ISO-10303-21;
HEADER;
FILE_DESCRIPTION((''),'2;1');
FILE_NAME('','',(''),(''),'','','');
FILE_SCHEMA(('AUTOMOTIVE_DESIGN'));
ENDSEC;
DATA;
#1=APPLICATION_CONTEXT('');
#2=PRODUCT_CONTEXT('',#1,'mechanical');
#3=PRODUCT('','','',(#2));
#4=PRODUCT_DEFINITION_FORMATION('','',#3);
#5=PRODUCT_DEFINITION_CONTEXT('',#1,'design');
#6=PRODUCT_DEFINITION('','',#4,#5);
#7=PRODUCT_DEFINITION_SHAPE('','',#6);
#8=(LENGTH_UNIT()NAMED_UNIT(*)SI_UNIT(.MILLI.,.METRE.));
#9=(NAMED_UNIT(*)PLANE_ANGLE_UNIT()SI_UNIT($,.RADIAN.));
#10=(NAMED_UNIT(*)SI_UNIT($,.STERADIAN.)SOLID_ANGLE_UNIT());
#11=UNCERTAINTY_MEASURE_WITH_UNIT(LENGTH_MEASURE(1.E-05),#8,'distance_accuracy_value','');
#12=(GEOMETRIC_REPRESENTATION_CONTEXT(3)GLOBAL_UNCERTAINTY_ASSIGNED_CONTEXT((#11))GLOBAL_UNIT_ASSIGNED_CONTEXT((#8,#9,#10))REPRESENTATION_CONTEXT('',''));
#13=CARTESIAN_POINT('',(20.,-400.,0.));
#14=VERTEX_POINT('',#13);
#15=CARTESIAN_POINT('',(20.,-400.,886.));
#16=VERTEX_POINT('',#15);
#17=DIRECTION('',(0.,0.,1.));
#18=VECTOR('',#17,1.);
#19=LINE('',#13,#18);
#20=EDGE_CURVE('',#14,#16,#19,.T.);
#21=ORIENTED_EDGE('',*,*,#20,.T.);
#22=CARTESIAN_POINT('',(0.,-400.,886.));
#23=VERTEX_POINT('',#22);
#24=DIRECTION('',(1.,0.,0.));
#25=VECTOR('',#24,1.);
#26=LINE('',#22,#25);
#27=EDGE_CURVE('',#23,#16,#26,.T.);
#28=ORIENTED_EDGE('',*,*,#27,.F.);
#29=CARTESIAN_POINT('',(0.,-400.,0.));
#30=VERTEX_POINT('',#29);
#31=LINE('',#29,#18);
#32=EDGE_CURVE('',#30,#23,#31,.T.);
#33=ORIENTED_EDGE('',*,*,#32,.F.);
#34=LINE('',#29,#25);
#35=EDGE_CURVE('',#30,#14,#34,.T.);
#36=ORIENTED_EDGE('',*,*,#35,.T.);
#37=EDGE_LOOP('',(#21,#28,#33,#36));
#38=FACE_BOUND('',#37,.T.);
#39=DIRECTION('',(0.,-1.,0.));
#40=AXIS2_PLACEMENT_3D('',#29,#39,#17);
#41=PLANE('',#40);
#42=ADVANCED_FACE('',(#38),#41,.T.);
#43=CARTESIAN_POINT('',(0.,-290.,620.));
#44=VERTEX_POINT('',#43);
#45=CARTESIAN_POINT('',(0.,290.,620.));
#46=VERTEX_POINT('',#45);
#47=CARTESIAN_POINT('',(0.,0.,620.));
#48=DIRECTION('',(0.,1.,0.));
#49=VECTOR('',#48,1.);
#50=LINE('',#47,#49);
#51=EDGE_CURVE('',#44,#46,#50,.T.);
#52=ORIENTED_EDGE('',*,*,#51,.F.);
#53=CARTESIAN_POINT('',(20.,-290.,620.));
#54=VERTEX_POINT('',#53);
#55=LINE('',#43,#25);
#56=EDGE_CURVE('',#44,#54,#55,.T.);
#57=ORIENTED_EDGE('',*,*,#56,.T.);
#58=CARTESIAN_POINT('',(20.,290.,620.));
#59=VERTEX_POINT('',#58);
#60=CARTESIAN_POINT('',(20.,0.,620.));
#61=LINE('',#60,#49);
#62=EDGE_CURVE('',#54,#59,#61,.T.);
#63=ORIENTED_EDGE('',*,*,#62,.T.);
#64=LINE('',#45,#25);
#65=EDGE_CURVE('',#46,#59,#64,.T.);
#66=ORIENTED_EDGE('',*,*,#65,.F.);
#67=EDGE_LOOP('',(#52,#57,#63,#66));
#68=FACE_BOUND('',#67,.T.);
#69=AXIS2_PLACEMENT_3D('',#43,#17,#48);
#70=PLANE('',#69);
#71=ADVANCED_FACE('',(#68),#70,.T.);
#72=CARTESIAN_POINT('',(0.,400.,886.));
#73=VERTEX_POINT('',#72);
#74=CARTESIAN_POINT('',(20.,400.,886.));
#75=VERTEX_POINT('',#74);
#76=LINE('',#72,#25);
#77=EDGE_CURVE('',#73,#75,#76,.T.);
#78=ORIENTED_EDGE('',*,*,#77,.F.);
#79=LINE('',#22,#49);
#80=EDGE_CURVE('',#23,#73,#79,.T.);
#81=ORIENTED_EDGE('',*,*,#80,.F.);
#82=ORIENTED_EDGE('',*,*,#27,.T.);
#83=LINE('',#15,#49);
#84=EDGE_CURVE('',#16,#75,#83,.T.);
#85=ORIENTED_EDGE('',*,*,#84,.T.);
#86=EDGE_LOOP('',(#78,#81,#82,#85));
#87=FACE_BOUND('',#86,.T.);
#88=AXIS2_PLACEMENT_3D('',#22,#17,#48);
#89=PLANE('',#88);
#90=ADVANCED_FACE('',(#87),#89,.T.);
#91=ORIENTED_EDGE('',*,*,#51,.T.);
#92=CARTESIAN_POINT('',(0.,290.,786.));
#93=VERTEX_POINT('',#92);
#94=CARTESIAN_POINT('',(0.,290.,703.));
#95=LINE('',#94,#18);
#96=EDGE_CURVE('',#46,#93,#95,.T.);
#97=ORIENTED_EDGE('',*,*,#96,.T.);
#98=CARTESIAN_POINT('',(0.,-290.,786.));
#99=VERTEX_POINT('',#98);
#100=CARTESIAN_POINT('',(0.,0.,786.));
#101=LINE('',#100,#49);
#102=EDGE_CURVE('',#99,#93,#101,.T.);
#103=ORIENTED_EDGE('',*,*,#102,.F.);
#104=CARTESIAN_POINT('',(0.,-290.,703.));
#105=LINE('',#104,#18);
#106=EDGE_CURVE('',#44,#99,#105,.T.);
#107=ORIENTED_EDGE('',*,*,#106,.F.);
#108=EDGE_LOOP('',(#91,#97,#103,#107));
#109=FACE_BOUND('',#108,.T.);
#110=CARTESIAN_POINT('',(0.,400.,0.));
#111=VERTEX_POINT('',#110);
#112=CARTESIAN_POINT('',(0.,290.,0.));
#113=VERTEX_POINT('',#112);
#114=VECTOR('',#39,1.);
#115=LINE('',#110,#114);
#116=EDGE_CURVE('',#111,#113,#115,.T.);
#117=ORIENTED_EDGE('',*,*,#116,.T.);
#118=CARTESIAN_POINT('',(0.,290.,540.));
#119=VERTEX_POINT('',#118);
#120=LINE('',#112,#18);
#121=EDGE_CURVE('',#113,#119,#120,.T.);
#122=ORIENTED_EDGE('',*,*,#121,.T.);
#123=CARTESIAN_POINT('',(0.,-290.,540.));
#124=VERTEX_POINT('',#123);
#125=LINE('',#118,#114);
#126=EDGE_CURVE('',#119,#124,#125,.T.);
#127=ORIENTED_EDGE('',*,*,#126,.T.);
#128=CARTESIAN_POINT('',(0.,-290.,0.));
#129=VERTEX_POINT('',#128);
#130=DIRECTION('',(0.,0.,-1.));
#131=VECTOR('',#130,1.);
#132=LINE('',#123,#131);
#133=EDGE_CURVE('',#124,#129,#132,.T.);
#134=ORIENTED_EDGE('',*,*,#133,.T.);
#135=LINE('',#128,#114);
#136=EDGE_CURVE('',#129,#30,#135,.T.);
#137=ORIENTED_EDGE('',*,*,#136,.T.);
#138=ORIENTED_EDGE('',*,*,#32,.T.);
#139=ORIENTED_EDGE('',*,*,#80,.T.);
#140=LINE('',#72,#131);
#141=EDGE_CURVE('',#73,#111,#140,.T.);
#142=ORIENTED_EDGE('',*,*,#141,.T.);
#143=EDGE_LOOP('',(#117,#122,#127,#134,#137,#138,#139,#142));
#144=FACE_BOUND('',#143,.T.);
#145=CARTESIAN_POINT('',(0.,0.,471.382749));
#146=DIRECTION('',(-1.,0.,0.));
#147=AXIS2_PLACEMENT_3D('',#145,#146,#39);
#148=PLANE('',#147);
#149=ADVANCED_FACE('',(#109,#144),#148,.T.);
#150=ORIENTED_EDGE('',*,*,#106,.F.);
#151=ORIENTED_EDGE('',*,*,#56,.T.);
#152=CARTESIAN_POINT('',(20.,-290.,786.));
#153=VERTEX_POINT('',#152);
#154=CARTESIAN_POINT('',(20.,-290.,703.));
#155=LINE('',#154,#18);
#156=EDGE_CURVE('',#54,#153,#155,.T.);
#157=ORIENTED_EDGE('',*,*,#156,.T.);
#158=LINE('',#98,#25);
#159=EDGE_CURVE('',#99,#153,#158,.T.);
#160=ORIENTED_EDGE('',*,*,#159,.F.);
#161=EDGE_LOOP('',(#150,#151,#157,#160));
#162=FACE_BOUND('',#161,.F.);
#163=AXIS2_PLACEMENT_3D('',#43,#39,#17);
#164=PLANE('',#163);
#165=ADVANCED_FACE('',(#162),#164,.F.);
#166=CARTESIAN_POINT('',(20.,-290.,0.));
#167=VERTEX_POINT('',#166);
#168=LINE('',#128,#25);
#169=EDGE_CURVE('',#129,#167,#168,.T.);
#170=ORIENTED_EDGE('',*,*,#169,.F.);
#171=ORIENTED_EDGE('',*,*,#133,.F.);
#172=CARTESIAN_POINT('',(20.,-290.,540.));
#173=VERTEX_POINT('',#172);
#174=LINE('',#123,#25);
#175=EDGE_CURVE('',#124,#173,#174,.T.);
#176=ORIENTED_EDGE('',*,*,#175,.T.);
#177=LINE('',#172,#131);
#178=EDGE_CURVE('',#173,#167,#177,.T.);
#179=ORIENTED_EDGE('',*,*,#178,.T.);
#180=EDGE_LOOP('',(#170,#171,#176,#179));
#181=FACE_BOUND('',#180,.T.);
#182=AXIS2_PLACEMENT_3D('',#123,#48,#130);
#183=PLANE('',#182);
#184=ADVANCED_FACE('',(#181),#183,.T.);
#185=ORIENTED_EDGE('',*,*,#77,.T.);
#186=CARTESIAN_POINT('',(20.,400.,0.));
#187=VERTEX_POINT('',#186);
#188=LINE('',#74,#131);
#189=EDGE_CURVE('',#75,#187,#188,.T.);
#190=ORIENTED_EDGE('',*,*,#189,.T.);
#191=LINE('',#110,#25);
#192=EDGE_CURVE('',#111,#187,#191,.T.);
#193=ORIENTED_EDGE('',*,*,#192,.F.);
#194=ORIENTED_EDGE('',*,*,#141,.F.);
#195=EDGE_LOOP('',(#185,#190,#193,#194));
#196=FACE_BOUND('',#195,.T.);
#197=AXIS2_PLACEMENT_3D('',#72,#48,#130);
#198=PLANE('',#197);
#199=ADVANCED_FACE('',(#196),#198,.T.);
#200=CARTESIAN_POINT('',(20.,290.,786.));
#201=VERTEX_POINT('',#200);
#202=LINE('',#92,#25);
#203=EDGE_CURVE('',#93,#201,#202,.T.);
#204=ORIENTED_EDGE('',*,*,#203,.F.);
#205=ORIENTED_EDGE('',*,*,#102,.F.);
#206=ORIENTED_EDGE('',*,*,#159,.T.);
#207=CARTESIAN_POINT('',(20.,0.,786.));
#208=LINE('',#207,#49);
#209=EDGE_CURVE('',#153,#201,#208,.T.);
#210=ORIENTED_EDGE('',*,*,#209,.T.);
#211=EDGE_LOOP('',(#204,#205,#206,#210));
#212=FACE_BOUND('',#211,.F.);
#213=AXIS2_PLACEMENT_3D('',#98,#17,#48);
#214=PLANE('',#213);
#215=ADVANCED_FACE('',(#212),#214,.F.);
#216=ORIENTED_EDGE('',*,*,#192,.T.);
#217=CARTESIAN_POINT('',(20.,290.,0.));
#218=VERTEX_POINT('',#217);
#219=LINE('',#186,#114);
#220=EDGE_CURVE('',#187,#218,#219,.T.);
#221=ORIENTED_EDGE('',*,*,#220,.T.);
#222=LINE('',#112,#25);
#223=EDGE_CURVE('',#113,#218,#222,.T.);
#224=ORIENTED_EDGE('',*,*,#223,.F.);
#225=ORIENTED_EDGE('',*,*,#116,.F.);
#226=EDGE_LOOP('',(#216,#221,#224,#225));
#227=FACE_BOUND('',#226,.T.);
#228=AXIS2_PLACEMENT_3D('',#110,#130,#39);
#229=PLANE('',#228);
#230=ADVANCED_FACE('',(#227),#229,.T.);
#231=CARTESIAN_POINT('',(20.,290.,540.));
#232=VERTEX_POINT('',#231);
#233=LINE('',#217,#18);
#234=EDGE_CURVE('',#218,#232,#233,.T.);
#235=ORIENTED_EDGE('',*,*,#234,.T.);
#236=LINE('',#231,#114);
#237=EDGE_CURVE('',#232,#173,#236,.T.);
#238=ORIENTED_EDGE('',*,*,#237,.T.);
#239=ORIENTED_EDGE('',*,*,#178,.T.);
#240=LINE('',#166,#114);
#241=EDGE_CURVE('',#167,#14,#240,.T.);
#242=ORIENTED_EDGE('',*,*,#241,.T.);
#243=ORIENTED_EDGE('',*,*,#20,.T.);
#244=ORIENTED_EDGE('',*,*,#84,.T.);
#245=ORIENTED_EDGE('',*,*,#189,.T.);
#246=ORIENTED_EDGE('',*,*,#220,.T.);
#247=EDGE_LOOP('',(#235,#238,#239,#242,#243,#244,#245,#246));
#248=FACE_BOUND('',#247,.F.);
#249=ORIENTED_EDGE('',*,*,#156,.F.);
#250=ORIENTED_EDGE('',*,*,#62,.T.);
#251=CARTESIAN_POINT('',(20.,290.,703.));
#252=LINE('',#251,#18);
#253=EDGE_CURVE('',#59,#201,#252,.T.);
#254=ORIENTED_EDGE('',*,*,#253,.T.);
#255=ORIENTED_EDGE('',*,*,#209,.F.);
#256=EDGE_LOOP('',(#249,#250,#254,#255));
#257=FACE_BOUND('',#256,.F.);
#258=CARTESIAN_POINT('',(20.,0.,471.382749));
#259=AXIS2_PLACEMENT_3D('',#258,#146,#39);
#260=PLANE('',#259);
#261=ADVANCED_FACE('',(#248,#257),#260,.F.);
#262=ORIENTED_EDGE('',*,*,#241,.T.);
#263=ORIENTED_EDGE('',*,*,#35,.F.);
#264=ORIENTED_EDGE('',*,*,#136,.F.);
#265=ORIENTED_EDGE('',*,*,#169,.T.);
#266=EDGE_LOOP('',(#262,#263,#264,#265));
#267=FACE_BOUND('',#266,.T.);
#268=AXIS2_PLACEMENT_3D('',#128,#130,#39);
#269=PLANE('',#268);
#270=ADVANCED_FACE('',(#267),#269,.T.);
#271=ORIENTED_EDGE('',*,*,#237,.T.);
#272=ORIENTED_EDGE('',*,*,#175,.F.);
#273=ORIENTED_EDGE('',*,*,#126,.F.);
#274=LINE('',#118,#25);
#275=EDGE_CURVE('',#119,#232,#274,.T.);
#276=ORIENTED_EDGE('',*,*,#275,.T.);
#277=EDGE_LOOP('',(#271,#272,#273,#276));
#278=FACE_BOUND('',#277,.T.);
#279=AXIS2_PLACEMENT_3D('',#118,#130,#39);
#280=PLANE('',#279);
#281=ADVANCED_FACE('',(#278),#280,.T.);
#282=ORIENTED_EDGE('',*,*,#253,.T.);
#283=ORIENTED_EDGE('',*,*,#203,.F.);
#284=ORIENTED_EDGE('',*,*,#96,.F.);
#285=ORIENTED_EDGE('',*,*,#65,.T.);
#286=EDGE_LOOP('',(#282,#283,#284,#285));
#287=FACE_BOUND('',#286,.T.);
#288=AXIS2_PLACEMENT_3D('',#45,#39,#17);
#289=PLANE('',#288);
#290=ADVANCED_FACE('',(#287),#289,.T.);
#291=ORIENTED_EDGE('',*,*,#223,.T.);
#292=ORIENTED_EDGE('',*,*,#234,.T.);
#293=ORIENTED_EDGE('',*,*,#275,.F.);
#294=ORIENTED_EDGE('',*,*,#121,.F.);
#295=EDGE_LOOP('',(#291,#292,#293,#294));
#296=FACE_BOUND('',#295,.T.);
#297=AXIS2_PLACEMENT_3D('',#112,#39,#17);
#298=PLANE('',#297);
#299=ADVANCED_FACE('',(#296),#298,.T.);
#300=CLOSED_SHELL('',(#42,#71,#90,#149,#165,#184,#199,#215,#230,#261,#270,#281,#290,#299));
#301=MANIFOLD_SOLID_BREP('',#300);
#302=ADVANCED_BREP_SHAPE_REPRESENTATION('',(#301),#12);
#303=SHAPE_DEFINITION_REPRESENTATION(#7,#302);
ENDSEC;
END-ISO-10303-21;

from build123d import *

# Parameters (mm, degrees)
SKETCH_W  = 580
SKETCH_H  = 166
PAD_DEPTH = 20


with BuildPart() as part:
    # Sketch → Pad (new body)
    with BuildSketch(Plane.YZ):
        Polygon((-290, 0), (-400, 0), (-400, 886), (400, 886), (400, 0), (290, 0), (290, 540), (-290, 540), align=None)
        with Locations((0, 703)):
            Rectangle(SKETCH_W, SKETCH_H, mode=Mode.SUBTRACT)
    extrude(amount=PAD_DEPTH)


solid = part.part
